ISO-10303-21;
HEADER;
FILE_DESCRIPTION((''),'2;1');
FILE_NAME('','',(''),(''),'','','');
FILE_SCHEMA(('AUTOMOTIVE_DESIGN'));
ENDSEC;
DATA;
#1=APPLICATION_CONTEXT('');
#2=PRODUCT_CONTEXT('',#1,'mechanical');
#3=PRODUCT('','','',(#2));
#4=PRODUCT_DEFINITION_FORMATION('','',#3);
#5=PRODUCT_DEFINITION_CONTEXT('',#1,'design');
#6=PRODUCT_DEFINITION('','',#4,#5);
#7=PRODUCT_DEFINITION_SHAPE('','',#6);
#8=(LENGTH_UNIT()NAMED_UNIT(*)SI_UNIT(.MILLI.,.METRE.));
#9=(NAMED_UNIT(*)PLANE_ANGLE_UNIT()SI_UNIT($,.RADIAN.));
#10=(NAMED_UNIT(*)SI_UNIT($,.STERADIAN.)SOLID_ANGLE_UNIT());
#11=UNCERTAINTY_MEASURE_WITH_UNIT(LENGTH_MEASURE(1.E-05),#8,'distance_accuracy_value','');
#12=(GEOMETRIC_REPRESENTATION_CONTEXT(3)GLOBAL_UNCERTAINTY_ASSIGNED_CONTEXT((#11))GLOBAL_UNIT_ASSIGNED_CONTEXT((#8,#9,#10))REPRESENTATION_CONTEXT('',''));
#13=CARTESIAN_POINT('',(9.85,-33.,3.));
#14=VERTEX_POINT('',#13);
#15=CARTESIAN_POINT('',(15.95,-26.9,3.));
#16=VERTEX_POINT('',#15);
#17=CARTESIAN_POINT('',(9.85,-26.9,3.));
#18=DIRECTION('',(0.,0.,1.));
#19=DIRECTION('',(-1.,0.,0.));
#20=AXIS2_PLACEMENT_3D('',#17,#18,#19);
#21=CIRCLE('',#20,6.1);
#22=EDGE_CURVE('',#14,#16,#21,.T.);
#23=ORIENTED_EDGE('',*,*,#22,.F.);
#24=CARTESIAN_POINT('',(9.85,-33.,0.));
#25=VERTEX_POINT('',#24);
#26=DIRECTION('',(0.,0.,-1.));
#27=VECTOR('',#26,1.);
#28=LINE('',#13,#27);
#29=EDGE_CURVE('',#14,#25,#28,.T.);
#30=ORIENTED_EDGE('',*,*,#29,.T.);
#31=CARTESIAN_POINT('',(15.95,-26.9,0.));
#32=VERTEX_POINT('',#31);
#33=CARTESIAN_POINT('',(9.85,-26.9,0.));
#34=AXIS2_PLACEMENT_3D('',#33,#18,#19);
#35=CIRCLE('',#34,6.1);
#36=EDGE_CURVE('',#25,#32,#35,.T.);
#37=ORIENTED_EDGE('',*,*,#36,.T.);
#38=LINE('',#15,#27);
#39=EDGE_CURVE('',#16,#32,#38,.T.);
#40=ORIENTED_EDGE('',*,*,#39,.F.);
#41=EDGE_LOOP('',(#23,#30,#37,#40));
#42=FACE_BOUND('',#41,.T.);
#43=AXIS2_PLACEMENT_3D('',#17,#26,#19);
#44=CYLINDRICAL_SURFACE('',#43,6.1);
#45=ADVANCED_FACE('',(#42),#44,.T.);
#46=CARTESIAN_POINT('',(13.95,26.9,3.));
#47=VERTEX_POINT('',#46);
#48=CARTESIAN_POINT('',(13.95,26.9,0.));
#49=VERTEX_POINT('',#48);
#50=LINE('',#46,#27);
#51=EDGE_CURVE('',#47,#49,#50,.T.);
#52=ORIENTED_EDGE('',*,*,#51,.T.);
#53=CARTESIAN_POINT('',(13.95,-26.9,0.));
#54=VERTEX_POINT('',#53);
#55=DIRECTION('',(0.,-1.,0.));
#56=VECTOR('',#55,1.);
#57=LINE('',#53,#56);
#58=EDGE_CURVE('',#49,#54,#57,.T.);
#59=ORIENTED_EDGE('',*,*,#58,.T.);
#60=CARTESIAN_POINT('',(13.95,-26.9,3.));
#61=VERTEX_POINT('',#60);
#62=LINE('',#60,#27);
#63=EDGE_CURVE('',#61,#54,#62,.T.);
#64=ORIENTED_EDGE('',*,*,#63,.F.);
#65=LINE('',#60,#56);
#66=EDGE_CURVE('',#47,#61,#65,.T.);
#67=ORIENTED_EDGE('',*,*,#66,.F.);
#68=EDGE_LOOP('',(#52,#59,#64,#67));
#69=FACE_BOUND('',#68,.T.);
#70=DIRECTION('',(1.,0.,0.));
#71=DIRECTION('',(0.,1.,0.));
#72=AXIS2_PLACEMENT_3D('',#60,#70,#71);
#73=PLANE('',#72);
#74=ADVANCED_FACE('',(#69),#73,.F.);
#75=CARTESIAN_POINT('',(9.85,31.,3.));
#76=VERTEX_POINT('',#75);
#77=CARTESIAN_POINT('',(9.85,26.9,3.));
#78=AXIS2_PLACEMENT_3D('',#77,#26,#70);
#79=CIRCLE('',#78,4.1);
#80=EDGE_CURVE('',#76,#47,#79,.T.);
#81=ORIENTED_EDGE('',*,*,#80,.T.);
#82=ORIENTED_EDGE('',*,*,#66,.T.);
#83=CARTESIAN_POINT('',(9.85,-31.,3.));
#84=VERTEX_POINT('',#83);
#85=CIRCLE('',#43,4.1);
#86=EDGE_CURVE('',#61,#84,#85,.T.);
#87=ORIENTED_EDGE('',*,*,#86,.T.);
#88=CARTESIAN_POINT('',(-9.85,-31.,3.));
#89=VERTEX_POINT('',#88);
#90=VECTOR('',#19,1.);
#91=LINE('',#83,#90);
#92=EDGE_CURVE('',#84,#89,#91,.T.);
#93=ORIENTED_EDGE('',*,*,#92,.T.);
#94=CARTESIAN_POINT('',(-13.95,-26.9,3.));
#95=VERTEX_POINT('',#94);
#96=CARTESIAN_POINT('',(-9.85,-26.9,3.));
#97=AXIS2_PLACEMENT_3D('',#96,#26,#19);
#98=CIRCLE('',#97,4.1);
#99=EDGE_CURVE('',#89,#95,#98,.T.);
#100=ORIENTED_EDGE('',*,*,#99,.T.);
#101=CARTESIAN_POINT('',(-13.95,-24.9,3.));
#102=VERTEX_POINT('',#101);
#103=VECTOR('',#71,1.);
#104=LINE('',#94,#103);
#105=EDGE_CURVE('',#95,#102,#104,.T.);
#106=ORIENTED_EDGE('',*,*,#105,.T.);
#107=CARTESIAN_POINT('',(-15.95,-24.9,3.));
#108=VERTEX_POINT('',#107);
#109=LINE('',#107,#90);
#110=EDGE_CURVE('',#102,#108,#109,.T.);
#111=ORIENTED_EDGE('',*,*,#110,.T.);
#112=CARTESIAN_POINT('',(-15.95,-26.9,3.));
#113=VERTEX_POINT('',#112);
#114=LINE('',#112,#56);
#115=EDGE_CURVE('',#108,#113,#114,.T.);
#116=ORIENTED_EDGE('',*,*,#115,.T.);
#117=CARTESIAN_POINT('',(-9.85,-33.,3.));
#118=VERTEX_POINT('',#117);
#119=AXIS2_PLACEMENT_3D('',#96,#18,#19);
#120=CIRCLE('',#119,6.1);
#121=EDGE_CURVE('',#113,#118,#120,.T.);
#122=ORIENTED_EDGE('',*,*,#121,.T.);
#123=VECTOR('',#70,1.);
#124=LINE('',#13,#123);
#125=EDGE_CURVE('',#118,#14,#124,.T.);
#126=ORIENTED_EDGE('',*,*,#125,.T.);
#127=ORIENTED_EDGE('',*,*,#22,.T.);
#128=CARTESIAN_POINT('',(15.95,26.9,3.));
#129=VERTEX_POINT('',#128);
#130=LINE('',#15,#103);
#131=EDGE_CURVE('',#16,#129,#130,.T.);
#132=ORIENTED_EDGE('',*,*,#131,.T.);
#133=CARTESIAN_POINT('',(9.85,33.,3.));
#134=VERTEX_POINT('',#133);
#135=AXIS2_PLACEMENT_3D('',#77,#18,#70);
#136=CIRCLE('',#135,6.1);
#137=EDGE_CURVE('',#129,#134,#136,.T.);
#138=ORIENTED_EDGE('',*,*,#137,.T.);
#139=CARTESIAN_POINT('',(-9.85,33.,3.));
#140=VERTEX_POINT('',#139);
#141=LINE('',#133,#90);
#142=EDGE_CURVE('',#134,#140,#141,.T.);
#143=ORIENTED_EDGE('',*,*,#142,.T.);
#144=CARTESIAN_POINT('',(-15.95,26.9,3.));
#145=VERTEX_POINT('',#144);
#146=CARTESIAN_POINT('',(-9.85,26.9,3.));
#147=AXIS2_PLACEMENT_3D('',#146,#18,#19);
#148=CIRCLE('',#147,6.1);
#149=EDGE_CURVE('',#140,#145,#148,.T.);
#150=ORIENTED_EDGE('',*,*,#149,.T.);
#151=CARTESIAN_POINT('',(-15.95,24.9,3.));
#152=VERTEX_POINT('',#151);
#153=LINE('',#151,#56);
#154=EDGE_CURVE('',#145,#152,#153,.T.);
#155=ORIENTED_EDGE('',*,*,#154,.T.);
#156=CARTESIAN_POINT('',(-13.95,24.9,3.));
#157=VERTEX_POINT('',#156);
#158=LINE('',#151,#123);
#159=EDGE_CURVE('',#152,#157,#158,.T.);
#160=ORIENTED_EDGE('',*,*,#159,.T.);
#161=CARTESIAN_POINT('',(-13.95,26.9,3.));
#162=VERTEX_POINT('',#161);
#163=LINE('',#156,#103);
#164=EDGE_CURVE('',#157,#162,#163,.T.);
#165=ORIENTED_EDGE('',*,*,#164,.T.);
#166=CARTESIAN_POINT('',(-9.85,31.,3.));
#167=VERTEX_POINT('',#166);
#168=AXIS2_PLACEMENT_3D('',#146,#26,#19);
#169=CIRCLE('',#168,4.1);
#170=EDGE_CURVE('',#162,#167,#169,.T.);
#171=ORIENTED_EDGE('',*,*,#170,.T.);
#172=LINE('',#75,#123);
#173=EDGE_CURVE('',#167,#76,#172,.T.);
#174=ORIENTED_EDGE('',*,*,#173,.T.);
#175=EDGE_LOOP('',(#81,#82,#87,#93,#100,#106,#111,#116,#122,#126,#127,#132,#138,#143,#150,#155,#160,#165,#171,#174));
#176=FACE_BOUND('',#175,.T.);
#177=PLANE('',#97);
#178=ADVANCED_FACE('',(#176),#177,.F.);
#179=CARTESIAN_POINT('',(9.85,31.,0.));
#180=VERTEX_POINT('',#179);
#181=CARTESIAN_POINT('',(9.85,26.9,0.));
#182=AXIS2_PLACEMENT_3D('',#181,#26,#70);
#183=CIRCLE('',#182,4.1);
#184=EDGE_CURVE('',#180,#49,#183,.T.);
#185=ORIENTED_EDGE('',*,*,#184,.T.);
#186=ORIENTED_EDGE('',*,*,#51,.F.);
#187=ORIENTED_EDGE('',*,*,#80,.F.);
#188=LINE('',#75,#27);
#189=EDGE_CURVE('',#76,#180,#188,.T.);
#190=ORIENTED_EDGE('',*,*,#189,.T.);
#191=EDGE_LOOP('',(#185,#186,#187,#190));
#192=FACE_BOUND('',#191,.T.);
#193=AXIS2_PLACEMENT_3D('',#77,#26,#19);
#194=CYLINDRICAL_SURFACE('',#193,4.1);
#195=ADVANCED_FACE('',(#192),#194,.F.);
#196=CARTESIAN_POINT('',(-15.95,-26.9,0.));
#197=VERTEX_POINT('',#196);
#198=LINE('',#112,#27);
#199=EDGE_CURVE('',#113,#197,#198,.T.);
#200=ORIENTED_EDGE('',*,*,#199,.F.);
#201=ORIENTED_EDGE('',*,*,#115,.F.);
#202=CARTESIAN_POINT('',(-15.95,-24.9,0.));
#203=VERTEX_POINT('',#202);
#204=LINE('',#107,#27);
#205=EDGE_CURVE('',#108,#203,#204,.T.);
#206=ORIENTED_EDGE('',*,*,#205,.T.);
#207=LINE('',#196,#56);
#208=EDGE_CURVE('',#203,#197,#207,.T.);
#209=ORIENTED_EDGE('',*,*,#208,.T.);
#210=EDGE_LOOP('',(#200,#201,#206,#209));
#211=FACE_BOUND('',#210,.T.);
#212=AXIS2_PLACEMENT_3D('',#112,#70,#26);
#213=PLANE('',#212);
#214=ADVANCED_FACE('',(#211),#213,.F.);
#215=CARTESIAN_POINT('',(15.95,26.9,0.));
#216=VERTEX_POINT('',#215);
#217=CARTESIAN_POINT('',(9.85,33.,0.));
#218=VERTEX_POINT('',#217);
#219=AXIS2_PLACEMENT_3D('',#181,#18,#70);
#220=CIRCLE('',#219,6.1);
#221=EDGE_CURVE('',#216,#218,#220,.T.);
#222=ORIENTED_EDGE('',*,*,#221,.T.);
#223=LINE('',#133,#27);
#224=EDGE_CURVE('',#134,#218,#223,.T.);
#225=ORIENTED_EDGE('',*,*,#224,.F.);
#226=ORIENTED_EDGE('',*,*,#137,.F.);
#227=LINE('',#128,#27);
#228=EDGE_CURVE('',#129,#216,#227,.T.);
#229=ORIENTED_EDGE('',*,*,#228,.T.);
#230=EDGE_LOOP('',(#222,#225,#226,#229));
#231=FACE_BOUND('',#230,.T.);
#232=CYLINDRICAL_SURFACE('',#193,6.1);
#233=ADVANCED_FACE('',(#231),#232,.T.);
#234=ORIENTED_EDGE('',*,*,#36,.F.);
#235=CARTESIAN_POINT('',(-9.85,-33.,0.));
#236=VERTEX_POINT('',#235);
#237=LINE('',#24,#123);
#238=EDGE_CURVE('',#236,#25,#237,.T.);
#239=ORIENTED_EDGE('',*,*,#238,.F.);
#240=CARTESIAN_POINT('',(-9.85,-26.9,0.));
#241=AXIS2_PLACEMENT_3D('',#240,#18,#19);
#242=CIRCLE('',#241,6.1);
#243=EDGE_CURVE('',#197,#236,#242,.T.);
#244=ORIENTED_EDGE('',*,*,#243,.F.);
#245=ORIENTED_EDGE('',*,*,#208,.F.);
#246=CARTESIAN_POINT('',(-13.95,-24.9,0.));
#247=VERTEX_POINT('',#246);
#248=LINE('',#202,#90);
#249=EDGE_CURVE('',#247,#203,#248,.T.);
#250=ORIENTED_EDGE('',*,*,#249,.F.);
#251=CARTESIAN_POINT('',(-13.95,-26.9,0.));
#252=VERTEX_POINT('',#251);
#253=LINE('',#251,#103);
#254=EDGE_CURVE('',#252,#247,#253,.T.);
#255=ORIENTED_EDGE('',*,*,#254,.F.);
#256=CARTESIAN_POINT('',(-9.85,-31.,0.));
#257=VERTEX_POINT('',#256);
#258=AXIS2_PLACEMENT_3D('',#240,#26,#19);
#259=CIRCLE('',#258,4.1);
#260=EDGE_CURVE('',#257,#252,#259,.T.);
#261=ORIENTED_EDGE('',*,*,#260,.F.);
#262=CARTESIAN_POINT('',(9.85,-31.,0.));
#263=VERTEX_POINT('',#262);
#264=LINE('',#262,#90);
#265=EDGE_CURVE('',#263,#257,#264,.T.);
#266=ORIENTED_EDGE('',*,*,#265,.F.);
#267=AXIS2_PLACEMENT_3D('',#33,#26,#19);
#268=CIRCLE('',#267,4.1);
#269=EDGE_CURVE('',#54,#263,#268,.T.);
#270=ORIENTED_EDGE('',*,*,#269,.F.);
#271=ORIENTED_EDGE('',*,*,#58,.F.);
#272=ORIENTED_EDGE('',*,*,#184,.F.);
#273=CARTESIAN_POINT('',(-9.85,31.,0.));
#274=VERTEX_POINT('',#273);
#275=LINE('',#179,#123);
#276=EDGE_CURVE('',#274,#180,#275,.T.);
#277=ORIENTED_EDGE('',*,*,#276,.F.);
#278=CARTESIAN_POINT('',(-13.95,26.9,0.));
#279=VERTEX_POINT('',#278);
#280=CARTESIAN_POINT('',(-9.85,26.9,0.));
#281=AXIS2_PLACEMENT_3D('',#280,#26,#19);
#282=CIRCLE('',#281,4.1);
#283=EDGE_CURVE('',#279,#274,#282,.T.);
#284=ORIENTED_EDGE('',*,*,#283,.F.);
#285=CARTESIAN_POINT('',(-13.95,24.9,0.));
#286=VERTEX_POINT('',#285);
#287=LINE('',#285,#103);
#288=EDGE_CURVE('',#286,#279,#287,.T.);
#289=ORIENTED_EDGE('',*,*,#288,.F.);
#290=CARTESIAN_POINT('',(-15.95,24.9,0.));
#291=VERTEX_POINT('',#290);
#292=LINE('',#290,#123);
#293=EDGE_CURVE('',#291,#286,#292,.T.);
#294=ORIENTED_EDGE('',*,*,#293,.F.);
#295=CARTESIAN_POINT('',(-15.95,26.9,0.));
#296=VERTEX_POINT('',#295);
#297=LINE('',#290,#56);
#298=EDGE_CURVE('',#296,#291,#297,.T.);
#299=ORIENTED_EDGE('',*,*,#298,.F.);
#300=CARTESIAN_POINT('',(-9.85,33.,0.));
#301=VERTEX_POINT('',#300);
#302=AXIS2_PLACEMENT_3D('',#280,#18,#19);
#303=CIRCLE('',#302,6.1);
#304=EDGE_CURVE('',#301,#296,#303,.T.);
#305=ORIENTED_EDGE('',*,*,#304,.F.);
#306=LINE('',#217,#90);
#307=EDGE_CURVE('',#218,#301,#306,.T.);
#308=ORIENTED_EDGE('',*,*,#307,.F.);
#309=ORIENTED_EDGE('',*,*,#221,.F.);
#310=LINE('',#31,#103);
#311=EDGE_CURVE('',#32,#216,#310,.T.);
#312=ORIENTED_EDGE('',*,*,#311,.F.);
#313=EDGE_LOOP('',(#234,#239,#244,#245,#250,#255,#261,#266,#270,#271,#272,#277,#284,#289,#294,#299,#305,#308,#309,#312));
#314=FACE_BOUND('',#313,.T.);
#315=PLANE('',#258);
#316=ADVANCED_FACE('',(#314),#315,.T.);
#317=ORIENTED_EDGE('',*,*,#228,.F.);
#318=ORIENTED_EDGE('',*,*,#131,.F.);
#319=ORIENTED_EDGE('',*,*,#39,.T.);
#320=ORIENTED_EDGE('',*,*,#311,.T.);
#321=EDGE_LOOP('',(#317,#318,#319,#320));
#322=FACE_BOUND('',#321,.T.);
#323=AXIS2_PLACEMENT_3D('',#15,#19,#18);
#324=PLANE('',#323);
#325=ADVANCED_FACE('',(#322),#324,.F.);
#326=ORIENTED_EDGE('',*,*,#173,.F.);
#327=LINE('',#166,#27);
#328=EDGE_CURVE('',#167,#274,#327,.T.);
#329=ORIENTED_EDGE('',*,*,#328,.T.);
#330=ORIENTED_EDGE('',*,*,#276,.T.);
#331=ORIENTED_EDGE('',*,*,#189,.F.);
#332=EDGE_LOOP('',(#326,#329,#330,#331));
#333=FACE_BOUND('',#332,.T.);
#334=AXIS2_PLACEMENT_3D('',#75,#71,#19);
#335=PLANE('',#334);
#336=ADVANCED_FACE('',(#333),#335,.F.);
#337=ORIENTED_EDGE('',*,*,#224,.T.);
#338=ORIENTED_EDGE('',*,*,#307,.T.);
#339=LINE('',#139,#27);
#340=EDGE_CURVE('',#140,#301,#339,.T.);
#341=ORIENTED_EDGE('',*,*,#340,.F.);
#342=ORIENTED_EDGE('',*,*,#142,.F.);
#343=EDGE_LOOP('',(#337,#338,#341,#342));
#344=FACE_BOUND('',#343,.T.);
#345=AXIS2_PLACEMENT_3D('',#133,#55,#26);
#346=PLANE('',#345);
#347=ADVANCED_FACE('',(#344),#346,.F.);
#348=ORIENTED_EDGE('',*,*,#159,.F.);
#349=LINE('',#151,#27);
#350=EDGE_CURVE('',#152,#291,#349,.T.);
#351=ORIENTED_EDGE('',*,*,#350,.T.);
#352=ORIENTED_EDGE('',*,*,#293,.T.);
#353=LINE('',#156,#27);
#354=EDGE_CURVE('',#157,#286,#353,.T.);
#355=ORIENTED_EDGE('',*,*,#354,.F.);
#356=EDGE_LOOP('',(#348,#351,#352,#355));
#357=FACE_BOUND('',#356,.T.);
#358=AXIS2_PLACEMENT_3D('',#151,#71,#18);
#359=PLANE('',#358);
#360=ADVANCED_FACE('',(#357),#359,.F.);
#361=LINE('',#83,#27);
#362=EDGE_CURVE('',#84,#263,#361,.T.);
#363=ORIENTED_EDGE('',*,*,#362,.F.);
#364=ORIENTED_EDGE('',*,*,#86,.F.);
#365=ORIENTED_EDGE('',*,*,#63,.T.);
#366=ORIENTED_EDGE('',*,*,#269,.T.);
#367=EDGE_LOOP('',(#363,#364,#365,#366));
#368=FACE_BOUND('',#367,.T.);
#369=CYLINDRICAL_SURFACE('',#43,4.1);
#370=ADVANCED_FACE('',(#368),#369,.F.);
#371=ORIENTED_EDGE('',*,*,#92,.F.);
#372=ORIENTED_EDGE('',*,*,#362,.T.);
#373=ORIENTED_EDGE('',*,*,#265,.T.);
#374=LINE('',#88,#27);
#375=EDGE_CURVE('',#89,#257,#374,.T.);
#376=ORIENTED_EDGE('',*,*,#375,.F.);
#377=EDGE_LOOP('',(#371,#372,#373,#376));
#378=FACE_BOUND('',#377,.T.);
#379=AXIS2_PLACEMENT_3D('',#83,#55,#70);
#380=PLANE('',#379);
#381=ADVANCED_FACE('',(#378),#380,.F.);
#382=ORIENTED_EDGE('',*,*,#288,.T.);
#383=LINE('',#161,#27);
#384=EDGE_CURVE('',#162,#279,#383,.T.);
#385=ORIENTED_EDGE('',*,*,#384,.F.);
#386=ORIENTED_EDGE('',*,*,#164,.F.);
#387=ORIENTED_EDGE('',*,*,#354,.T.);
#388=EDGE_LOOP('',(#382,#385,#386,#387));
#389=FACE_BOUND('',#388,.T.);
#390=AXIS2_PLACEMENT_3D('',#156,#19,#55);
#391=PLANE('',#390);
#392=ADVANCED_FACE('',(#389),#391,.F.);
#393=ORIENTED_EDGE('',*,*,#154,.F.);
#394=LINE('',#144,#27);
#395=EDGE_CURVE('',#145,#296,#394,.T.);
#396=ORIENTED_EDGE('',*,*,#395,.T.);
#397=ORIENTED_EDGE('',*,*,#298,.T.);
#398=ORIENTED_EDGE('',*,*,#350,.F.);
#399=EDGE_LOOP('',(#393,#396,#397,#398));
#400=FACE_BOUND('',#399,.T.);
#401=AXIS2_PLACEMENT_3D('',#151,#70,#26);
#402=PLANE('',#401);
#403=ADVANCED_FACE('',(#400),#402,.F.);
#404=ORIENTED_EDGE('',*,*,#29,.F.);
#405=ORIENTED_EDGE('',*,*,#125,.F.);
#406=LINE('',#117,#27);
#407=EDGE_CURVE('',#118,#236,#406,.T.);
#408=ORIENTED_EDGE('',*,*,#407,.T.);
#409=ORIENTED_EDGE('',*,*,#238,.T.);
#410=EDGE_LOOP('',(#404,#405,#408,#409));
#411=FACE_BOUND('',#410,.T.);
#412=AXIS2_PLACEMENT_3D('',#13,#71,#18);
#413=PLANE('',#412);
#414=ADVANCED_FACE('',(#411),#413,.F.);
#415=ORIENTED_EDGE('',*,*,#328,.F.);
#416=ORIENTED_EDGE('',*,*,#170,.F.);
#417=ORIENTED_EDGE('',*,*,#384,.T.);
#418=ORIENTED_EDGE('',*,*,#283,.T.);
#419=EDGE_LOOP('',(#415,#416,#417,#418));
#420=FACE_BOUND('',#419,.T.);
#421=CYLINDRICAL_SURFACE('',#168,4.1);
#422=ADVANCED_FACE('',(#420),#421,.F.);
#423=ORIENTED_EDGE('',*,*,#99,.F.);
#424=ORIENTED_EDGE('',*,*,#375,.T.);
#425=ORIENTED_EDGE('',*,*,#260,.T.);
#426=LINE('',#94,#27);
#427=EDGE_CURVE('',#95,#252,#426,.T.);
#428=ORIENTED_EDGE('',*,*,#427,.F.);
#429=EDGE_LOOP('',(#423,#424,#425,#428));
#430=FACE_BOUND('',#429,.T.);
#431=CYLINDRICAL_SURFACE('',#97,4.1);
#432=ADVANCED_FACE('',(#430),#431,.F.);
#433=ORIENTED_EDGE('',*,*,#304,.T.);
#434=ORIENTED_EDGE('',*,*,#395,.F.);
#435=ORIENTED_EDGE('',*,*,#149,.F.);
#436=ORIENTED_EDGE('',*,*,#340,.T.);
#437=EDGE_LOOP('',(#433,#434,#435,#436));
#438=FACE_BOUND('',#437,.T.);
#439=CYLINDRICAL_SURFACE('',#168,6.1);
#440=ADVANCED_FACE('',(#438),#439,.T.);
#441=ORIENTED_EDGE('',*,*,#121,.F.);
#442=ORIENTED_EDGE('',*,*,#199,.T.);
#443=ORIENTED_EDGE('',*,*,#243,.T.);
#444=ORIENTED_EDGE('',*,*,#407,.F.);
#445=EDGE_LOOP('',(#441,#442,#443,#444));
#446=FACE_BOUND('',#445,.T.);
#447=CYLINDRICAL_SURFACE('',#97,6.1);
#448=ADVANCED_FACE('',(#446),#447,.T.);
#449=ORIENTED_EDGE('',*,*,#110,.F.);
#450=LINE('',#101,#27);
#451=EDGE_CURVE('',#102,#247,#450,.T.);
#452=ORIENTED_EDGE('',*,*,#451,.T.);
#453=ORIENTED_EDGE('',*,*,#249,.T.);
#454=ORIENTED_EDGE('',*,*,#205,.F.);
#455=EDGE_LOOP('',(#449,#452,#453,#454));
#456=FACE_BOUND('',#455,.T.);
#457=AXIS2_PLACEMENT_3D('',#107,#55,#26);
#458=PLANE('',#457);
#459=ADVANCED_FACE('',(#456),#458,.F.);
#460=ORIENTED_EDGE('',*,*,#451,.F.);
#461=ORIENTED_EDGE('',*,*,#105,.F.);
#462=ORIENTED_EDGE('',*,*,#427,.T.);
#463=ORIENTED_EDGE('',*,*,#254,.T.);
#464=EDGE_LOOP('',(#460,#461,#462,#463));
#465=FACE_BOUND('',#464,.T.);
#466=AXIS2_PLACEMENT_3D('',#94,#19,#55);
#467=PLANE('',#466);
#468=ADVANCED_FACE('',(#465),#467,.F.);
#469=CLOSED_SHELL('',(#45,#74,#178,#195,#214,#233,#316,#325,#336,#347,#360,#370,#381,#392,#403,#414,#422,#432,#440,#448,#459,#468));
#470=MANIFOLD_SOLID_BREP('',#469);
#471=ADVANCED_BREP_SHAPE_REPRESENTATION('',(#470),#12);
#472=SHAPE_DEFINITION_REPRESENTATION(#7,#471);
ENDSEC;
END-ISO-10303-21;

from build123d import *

# Parameters (mm, degrees)
BOSS_EXTRUDE1_DEPTH = 3


with BuildPart() as part:
    # Sketch1 → Boss-Extrude1 (new body)
    with BuildSketch(Plane(origin=(0, 0, 0), x_dir=(0, 1, 0), z_dir=(0, 0, 1))):
        with BuildLine():
            Line((-26.9, 13.95), (-24.9, 13.95))
            Line((-24.9, 13.95), (-24.9, 15.95))
            Line((-24.9, 15.95), (-26.9, 15.95))
            ThreePointArc((-26.9, 15.95), (-31.213351365, 14.163351365), (-33, 9.85))
            Line((-33, 9.85), (-33, -9.85))
            ThreePointArc((-33, -9.85), (-31.213351365, -14.163351365), (-26.9, -15.95))
            Line((-26.9, -15.95), (26.9, -15.95))
            ThreePointArc((26.9, -15.95), (31.213351365, -14.163351365), (33, -9.85))
            Line((33, -9.85), (33, 9.85))
            ThreePointArc((33, 9.85), (31.213351365, 14.163351365), (26.9, 15.95))
            Line((26.9, 15.95), (24.9, 15.95))
            Line((24.9, 15.95), (24.9, 13.95))
            Line((24.9, 13.95), (26.9, 13.95))
            ThreePointArc((26.9, 13.95), (29.799137803, 12.749137803), (31, 9.85))
            Line((31, 9.85), (31, -9.85))
            ThreePointArc((31, -9.85), (29.799137803, -12.749137803), (26.9, -13.95))
            Line((26.9, -13.95), (-26.9, -13.95))
            ThreePointArc((-26.9, -13.95), (-29.799137803, -12.749137803), (-31, -9.85))
            Line((-31, -9.85), (-31, 9.85))
            ThreePointArc((-31, 9.85), (-29.799137803, 12.749137803), (-26.9, 13.95))
        make_face()
    extrude(amount=BOSS_EXTRUDE1_DEPTH)


solid = part.part
